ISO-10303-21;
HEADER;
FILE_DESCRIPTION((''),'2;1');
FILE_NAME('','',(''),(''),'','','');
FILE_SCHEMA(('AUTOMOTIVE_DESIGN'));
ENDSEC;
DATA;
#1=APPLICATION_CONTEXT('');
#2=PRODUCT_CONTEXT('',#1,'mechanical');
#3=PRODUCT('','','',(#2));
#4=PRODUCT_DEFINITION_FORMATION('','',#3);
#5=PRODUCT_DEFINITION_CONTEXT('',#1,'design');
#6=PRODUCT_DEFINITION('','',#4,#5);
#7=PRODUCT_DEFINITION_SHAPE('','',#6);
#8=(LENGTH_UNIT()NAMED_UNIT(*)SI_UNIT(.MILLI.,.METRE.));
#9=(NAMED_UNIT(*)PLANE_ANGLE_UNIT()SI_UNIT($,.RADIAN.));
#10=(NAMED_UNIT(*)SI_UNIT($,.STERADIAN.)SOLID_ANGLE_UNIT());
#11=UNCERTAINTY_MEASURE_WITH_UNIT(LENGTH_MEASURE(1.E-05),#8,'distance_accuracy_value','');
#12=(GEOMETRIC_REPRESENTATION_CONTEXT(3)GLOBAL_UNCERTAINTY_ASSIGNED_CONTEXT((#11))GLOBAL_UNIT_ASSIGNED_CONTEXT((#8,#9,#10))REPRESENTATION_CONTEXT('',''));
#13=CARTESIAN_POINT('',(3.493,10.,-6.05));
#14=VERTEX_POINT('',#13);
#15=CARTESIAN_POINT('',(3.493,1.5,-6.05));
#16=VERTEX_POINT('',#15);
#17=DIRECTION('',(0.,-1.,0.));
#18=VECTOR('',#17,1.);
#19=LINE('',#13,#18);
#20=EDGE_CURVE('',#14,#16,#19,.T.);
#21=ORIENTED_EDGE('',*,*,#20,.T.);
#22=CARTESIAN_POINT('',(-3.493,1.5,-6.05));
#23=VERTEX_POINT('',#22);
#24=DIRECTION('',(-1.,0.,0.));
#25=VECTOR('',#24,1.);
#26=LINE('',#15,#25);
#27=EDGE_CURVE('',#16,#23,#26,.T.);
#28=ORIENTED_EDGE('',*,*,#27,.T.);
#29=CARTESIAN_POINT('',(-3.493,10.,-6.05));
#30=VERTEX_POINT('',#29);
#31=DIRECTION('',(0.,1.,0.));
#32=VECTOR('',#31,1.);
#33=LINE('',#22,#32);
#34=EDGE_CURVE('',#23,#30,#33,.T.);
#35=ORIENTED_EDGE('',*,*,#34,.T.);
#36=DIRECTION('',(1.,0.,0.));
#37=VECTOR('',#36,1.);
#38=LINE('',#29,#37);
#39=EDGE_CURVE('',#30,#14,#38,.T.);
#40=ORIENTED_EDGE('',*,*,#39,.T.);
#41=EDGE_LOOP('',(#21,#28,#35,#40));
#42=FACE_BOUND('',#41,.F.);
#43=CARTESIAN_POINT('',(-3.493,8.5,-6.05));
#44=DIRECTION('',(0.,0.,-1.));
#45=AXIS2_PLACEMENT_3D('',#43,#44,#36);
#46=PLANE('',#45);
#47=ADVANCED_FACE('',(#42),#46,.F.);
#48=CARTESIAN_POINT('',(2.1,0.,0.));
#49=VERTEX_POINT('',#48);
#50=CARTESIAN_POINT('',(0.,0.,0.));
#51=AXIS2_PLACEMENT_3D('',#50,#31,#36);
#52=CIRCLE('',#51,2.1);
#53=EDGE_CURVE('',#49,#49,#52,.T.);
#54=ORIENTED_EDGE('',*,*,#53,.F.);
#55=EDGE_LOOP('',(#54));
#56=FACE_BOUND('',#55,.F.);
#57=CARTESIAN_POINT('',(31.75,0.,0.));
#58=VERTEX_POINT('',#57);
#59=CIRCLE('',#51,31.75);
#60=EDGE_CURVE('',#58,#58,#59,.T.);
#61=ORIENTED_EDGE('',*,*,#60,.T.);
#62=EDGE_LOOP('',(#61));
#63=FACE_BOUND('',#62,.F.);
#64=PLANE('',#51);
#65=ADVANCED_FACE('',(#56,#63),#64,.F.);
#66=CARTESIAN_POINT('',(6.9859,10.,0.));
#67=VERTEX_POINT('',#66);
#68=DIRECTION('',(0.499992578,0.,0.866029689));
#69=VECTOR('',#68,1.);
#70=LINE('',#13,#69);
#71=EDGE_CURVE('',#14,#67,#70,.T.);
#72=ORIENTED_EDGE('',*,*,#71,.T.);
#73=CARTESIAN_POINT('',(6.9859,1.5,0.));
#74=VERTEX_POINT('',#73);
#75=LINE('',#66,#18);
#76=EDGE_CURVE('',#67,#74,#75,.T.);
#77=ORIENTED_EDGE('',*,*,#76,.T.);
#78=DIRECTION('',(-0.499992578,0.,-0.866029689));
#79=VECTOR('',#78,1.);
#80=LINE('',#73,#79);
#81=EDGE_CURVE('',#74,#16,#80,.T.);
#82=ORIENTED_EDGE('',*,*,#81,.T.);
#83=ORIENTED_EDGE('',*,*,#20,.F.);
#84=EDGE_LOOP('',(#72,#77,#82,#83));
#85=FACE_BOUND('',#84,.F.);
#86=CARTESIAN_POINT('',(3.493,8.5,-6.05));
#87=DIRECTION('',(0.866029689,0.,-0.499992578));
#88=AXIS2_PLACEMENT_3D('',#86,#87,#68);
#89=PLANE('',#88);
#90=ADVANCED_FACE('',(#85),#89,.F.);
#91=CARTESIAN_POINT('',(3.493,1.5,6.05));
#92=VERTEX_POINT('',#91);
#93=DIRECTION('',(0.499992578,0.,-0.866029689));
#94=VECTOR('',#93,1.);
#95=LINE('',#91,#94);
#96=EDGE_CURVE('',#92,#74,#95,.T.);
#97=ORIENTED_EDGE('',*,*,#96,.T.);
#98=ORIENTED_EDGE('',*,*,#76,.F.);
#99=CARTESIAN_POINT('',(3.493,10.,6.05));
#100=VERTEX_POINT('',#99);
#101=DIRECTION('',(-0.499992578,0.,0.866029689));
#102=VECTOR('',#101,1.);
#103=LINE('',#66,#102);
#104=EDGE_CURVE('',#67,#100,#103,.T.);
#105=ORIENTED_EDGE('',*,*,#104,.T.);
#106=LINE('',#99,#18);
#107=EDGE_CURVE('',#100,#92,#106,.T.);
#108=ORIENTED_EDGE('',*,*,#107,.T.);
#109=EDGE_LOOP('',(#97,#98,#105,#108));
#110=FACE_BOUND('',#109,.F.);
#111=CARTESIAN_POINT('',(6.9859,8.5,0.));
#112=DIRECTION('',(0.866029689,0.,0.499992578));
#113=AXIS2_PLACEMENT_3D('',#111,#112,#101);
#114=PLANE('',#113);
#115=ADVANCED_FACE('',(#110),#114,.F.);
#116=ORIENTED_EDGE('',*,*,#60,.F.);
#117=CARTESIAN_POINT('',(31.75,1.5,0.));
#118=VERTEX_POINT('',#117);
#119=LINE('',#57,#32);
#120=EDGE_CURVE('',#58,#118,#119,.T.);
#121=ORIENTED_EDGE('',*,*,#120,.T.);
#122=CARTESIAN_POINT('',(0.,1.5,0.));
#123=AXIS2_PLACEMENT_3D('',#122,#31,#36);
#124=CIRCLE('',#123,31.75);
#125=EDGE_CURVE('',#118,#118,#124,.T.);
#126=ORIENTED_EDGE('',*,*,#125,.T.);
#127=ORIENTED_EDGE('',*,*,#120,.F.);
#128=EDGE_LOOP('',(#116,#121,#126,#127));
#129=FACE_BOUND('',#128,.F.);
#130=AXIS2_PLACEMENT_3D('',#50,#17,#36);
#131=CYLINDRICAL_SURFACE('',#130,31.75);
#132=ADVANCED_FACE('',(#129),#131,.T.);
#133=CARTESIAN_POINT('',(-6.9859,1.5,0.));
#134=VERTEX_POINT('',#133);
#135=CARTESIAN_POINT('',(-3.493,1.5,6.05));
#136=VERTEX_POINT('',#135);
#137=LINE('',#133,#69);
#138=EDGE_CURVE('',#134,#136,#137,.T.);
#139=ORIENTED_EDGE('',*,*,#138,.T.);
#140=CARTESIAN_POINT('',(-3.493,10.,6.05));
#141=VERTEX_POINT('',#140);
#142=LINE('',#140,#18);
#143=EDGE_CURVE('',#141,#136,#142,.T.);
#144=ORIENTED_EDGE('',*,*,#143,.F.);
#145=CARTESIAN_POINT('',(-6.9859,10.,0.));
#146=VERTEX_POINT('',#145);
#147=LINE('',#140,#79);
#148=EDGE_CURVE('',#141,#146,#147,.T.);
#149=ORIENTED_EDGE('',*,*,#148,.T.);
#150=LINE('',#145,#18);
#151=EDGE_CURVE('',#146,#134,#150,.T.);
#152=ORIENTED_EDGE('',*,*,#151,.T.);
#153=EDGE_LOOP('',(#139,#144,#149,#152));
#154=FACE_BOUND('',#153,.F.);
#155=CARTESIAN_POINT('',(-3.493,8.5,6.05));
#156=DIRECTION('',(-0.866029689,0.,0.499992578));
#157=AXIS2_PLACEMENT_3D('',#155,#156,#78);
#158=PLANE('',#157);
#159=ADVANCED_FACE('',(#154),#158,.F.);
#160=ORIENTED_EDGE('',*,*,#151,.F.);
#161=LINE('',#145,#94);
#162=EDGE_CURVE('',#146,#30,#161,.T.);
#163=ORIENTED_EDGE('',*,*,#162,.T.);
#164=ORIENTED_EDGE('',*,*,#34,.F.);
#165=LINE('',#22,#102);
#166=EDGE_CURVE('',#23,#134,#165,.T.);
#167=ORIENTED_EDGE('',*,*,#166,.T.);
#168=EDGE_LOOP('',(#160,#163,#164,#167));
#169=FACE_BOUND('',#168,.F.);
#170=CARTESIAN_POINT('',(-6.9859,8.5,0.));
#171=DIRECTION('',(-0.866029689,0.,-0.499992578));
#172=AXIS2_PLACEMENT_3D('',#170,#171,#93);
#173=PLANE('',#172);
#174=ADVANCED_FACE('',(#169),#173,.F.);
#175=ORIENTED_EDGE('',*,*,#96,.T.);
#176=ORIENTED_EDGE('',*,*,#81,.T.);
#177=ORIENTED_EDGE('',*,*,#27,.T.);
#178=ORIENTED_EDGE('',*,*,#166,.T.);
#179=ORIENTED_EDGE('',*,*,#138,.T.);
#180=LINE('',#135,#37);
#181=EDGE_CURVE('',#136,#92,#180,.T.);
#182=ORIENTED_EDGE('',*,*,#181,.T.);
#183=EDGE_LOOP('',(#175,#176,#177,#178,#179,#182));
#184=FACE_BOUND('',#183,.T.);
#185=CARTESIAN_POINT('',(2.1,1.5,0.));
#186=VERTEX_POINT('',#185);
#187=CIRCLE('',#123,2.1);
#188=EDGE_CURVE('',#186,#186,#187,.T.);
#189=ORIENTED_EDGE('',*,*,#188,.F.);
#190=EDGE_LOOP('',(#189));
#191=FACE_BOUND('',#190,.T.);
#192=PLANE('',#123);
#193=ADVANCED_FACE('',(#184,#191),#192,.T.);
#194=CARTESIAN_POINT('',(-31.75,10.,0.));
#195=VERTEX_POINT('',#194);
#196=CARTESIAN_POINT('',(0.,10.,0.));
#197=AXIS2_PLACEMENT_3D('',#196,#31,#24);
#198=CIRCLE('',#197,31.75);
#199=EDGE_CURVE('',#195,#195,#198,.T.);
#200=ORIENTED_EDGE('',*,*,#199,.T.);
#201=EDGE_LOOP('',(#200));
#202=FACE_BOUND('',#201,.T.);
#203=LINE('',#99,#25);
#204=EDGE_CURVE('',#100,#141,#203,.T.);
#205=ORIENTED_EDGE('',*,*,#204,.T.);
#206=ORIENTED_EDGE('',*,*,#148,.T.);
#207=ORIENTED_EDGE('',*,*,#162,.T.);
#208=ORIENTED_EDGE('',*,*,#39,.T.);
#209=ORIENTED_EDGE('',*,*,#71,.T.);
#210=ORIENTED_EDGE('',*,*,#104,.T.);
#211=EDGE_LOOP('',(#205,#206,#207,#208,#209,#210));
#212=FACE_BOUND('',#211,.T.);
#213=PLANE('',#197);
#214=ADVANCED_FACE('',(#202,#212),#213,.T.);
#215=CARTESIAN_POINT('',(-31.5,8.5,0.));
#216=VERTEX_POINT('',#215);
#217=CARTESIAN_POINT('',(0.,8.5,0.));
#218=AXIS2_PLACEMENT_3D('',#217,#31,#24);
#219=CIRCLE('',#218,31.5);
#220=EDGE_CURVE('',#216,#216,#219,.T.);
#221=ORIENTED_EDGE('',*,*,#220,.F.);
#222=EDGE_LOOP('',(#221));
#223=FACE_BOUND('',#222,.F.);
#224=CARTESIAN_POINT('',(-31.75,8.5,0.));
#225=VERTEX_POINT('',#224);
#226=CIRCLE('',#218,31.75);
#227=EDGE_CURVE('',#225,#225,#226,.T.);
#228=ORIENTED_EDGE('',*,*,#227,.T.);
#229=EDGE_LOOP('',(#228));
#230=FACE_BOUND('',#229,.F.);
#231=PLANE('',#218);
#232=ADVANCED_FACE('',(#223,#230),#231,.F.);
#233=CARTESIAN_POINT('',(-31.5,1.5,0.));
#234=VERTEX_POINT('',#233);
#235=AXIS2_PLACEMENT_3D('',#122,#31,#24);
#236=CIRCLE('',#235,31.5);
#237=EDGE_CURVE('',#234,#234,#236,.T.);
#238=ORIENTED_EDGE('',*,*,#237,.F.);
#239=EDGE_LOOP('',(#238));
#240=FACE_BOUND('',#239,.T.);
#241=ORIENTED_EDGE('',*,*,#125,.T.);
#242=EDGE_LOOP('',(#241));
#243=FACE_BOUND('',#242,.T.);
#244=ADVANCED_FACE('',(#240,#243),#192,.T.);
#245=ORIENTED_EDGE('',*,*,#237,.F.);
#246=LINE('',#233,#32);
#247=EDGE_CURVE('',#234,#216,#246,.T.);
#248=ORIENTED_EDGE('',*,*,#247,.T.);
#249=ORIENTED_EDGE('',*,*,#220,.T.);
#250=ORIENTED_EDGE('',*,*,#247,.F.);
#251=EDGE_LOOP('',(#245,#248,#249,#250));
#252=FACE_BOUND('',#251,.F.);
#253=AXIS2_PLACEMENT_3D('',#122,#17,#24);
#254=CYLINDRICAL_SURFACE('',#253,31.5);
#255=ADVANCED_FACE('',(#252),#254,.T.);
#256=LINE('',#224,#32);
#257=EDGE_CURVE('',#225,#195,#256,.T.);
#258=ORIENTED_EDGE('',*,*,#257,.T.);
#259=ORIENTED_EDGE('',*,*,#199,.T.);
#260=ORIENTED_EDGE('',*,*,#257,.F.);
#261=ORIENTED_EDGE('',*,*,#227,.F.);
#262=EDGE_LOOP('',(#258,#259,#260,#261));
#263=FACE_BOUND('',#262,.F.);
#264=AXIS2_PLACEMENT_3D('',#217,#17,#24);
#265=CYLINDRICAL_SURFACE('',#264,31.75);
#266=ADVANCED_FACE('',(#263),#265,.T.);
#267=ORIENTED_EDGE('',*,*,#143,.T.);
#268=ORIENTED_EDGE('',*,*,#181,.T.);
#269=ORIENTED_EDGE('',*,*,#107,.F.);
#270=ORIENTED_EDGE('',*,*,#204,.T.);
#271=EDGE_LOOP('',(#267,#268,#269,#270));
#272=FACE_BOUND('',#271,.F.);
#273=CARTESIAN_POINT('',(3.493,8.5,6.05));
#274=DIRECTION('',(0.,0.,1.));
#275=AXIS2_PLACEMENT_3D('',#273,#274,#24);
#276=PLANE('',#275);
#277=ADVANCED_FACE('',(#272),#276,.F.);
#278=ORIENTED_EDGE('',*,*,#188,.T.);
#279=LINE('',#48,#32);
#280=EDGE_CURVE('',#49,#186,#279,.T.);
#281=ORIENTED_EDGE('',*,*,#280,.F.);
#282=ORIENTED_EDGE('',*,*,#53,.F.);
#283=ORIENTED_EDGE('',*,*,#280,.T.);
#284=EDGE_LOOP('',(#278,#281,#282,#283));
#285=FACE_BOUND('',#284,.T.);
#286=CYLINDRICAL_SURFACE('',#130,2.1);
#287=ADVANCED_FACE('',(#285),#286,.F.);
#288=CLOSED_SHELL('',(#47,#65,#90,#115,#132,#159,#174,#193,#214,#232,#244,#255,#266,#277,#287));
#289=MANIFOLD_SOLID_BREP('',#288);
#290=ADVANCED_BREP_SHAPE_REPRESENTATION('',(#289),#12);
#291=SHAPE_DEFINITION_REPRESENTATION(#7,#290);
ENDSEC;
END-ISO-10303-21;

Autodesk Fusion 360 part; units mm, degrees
sketch "spodek" plane through (0, 0, 0) normal (0, 1, 0) x (1, 0, 0)
  circle A0 centre (0, 0) radius 31.75
  circle A1 centre (0, 0) radius 2.1
  dimension "d1" = 63.5
  dimension "d2" = 4.2
extrude "Extrude1" add sketch "spodek" along normal blind 1.5
sketch "prostredek" plane through (0, 1.5, 0) normal (0, 1, 0) x (-1, 0, 0)
  circle A0 centre (0, 0) radius 2.1
  circle A1 centre (0, 0) radius 31.75
  circle A2 centre (0, 0) radius 31.5
  line L0 (3.493, -6.05) -> (6.9859, 0)
  line L1 (6.9859, 0) -> (3.493, 6.05)
  line L2 (3.493, 6.05) -> (-3.493, 6.05)
  line L3 (-3.493, 6.05) -> (-6.9859, 0)
  line L4 (-6.9859, 0) -> (-3.493, -6.05)
  line L5 (-3.493, -6.05) -> (3.493, -6.05)
  dimension "d5" = -0.25
  dimension "d6" = 6.05
extrude "Extrude2" add sketch "prostredek" along normal blind 7 contours A2
sketch "Sketch3" plane through (0, 8.5, 0) normal (0, 1, 0) x (-1, 0, 0)
  line L0 (3.493, -6.05) -> (-3.493, -6.05)
  line L1 (-3.493, -6.05) -> (-6.9859, 0)
  line L2 (-6.9859, 0) -> (-3.493, 6.05)
  line L3 (-3.493, 6.05) -> (3.493, 6.05)
  line L4 (3.493, 6.05) -> (6.9859, 0)
  line L5 (6.9859, 0) -> (3.493, -6.05)
  line L6 (-6.9859, 0) -> (-3.493, 6.05)
  line L7 (-3.493, -6.05) -> (-6.9859, 0)
  line L8 (3.493, -6.05) -> (-3.493, -6.05)
  line L9 (6.9859, 0) -> (3.493, -6.05)
  line L10 (-3.493, 6.05) -> (3.493, 6.05)
  circle A0 centre (0, 0) radius 31.75
extrude "Extrude3" add sketch "Sketch3" along normal blind 1.5
